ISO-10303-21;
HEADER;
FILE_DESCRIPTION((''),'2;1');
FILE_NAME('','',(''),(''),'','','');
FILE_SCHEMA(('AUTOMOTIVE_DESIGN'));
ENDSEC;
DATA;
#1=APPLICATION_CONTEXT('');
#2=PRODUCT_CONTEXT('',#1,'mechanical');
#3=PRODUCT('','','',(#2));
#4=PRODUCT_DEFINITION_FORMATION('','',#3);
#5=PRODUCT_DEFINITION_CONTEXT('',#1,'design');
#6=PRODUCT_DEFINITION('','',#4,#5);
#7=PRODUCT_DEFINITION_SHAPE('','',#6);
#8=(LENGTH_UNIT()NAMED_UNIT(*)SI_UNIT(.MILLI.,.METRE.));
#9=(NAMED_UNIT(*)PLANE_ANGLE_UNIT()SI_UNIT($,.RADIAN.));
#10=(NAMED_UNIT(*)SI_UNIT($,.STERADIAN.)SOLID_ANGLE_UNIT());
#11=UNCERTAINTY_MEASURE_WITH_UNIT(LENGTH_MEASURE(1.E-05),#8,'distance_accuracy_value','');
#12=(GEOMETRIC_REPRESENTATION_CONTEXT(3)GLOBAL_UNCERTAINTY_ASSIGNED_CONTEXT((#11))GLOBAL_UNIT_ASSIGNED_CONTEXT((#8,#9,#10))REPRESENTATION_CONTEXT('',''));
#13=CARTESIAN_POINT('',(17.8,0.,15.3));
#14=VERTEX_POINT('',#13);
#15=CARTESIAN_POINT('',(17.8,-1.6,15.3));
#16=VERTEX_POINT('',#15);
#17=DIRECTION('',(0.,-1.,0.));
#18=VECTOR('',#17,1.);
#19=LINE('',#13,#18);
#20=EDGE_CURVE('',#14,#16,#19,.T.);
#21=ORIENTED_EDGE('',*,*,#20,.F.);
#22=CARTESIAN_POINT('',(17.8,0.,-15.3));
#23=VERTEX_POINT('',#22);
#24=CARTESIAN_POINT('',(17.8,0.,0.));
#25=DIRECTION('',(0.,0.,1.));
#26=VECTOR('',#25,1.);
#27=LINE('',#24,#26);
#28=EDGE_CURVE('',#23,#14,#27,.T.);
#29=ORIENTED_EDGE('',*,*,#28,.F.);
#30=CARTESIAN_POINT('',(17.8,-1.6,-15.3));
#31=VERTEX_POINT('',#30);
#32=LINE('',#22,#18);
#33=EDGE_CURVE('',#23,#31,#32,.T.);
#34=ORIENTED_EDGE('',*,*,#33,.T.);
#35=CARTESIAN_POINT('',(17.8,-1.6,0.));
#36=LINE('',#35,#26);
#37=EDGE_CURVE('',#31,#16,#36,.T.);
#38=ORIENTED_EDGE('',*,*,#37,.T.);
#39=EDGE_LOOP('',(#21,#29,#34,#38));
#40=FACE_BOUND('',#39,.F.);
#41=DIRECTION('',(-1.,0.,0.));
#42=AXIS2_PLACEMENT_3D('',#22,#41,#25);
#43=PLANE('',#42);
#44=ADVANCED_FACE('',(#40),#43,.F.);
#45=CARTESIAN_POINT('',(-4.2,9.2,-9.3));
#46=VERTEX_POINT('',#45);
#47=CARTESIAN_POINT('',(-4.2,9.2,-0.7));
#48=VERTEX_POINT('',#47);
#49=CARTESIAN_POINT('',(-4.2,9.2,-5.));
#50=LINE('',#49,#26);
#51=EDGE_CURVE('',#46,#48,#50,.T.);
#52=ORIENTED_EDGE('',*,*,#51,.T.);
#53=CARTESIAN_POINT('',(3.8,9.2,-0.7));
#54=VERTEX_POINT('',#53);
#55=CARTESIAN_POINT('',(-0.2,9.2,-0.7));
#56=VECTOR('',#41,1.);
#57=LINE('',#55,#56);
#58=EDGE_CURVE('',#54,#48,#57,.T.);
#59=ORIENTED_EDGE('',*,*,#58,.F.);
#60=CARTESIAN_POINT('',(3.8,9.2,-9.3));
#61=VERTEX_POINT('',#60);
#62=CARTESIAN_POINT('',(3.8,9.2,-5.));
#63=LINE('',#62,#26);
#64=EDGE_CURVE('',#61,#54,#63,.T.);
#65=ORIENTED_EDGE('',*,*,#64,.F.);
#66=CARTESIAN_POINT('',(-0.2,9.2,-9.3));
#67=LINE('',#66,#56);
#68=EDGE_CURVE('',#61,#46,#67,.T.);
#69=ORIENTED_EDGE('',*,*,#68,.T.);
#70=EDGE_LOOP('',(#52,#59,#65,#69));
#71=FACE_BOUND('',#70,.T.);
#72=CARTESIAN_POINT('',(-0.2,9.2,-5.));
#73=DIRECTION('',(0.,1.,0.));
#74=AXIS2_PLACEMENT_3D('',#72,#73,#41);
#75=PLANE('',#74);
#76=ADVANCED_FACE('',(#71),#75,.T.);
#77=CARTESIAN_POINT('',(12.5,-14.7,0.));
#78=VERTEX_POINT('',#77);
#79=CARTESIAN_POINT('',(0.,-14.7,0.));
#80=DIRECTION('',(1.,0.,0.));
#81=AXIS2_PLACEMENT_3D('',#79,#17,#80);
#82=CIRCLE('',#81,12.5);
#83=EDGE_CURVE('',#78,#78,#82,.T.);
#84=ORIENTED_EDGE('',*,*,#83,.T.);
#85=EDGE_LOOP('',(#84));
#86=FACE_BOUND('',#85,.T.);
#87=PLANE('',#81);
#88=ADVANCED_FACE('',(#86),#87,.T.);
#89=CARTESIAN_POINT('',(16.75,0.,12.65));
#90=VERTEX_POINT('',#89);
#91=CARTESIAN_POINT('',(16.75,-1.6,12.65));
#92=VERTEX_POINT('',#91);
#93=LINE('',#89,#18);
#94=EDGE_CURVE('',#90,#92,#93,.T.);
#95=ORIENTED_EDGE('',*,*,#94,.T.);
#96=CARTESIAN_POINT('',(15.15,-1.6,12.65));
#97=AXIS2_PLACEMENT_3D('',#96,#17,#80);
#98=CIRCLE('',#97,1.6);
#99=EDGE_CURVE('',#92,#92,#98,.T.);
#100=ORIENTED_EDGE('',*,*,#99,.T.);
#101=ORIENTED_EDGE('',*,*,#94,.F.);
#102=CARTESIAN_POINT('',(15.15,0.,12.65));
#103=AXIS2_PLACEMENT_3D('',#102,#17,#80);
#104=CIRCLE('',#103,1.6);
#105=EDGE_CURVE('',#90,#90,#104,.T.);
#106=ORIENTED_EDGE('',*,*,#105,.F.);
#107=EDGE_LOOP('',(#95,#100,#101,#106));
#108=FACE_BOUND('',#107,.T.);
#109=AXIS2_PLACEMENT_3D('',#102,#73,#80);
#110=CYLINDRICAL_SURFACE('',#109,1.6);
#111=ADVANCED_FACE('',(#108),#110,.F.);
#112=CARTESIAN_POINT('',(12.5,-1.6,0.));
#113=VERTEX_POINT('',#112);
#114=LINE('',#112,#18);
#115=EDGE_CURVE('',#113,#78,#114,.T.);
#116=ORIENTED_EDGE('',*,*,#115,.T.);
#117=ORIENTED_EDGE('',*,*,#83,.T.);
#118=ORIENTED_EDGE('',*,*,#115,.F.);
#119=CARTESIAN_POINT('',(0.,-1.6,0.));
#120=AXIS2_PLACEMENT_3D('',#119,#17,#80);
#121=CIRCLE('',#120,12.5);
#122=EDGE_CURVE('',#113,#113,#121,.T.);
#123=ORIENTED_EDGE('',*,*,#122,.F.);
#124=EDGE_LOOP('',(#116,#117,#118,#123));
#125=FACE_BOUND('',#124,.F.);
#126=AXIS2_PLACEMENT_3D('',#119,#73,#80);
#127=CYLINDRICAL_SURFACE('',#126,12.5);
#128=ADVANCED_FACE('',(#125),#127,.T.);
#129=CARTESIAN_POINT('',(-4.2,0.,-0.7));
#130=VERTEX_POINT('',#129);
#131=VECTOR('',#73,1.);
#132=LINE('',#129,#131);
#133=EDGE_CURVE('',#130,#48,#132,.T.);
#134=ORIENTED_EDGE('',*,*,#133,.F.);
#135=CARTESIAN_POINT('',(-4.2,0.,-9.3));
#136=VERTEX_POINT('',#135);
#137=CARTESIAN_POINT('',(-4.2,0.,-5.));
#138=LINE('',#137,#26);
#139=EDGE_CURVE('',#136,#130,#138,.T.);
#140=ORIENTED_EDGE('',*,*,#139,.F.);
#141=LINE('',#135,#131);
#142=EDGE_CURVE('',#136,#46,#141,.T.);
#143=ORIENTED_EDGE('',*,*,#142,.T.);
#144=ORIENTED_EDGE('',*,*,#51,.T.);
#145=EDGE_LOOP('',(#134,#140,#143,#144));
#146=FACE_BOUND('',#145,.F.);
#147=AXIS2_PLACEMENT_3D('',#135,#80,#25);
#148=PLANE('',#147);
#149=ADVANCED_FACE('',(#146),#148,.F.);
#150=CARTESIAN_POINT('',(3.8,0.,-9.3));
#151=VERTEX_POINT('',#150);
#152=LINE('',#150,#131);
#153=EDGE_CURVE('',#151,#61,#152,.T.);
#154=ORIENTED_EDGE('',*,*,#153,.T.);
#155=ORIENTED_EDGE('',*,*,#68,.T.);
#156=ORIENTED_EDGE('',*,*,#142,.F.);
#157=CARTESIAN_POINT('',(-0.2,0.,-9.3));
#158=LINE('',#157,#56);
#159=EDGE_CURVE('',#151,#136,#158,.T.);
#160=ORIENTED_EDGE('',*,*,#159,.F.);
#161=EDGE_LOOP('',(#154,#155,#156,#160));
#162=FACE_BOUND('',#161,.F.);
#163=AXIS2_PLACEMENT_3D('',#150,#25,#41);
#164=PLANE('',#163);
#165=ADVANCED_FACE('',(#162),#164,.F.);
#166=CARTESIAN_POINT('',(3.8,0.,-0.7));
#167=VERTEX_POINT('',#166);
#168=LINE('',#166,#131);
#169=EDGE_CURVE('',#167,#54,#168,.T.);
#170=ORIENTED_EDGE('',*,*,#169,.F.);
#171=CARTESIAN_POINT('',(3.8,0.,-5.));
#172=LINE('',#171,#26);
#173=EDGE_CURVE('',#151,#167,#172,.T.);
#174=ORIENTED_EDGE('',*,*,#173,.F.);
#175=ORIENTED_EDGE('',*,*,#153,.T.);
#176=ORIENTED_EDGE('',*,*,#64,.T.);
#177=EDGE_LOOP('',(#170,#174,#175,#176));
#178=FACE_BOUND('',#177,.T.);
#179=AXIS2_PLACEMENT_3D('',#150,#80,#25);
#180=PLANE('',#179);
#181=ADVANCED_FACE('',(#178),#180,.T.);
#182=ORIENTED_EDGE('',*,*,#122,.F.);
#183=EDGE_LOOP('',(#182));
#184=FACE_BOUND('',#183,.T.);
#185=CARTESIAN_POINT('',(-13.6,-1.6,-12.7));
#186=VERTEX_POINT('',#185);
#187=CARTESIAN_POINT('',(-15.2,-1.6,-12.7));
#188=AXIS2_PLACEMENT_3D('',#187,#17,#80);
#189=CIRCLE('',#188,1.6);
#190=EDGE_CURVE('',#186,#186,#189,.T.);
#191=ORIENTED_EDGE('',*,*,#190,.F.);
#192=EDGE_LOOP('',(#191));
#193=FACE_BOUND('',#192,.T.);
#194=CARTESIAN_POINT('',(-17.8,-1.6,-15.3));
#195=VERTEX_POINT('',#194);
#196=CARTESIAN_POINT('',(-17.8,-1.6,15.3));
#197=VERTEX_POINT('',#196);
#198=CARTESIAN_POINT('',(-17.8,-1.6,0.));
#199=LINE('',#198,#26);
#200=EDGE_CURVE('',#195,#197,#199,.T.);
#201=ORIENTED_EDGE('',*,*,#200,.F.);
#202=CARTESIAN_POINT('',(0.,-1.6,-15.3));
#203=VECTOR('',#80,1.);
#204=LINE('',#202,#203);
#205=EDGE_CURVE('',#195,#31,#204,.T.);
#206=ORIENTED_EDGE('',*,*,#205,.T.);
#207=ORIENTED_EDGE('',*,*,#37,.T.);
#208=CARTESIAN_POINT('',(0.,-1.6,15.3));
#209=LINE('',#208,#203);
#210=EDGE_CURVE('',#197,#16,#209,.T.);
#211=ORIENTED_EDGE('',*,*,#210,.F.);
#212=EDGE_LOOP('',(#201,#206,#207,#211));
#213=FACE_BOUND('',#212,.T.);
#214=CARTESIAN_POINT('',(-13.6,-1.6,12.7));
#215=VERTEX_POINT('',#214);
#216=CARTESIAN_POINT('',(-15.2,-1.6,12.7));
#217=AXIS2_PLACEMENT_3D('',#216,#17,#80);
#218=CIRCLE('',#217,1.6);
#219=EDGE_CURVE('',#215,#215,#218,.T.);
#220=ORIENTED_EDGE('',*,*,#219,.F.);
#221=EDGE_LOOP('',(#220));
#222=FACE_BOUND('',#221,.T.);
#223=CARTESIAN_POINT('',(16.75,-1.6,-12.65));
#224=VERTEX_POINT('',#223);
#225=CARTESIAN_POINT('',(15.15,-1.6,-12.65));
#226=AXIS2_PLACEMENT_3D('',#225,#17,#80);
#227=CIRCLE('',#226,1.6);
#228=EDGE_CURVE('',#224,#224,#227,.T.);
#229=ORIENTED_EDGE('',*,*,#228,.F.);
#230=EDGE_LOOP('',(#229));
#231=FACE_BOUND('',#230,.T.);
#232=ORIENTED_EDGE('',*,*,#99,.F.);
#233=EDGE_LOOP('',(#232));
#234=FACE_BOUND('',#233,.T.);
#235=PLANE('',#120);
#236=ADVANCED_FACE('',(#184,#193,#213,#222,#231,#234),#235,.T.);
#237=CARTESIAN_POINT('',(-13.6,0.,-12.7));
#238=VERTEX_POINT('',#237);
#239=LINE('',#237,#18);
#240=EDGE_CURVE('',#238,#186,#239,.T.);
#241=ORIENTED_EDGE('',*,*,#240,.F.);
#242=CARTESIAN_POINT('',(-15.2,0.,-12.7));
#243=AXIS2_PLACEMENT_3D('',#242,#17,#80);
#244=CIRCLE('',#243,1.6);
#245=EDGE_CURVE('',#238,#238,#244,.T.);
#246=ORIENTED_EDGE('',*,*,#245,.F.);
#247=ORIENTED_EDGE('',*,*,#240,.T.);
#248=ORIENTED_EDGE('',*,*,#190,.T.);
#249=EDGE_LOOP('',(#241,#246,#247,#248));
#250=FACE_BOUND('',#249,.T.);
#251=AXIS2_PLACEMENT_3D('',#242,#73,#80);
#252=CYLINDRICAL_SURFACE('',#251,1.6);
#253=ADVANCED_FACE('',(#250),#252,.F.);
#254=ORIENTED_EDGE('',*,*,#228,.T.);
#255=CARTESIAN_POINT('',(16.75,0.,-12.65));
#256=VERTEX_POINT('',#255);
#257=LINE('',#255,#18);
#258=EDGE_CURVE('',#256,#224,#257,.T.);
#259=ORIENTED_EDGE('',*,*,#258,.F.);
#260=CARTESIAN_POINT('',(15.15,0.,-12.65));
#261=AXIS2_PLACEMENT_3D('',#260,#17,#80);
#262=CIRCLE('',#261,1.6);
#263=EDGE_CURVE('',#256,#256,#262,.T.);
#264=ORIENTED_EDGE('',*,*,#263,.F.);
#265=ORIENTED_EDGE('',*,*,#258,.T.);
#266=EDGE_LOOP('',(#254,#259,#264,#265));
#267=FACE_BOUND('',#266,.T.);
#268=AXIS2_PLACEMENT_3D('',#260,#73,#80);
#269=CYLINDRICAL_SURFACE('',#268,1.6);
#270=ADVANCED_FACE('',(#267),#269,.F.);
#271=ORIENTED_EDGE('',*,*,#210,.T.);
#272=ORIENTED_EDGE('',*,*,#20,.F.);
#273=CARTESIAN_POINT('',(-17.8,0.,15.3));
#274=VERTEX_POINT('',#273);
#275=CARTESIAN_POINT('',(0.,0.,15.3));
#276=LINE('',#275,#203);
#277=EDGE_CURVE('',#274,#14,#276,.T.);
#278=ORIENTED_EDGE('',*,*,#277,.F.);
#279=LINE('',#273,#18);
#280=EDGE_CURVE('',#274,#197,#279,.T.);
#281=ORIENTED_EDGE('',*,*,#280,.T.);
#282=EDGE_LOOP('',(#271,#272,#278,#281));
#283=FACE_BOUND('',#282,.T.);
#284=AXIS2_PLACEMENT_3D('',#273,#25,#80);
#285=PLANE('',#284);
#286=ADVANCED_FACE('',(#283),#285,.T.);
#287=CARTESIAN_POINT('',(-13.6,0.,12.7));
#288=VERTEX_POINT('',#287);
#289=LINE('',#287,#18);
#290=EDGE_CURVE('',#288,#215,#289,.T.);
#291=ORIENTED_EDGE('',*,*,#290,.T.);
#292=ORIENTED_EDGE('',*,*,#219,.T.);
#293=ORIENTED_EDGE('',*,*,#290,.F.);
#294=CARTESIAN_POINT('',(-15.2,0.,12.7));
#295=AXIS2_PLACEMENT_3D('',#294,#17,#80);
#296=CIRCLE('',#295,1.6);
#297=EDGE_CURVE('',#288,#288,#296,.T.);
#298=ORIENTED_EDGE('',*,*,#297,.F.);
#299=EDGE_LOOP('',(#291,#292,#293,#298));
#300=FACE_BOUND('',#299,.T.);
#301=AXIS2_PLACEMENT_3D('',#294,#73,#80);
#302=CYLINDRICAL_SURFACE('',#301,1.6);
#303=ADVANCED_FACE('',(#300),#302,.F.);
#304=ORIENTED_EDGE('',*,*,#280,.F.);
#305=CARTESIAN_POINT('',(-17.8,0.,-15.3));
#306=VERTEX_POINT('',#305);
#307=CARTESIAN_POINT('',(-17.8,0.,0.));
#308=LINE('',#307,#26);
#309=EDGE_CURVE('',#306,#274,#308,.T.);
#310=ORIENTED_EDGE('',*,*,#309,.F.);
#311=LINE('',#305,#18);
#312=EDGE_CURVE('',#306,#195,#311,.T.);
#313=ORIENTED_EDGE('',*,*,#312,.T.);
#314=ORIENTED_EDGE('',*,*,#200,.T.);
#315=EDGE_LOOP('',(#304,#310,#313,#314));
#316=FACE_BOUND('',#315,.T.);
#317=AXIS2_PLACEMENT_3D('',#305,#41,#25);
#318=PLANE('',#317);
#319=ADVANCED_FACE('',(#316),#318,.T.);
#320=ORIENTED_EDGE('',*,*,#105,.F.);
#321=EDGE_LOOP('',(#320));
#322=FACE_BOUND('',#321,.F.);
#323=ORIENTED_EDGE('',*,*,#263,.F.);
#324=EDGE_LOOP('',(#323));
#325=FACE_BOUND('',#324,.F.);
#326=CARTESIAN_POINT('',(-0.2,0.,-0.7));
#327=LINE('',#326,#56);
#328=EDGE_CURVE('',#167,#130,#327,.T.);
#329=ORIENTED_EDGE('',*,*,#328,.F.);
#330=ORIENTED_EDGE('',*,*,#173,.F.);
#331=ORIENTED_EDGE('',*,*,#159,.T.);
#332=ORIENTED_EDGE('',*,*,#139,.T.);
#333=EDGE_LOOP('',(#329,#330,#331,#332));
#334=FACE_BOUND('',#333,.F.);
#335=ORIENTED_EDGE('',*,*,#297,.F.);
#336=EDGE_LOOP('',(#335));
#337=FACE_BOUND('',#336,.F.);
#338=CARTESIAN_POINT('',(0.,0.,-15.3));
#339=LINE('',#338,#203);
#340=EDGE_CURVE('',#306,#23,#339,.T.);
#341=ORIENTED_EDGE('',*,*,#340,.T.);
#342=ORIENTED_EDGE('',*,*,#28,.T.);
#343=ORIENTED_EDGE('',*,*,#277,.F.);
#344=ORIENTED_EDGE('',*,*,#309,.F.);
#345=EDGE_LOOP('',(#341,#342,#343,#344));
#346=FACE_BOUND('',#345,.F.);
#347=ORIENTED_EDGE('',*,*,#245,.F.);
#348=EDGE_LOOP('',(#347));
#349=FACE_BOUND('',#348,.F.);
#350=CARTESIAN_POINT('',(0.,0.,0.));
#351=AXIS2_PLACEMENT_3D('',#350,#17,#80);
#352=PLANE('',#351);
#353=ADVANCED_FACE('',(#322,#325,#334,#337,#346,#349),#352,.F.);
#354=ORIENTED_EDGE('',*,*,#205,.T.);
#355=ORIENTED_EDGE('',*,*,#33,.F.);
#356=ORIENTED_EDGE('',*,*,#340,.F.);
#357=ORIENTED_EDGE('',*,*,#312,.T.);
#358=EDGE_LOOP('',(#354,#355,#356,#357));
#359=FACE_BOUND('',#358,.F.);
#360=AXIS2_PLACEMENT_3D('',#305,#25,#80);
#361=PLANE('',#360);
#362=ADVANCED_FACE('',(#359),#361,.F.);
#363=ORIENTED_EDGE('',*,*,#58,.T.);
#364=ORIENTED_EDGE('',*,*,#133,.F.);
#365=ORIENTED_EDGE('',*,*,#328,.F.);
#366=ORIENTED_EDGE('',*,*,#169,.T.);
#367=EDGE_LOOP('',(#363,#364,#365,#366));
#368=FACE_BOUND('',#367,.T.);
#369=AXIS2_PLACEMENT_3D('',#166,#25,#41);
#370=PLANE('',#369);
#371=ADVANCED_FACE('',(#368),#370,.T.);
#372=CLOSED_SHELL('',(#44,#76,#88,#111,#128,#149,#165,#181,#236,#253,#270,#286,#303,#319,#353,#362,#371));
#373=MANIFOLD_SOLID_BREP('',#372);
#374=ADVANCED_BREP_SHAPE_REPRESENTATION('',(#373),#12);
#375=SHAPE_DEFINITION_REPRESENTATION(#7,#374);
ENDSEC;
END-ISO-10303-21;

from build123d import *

# Parameters (mm, degrees)
F0_W     = 35.6
F0_H     = 30.6
F0_R     = 1.6
F1_DEPTH = 1.6
F2_R     = 12.5
F3_DEPTH = 13.1
F4_W     = 8
F4_H     = 8.6
F5_DEPTH = 9.2


with BuildPart() as f1:
    # F0 (on Front) → F1 (new body)
    with BuildSketch(Plane.XZ):
        Rectangle(F0_W, F0_H)
        with Locations((-15.2, -12.7)):
            Circle(F0_R, mode=Mode.SUBTRACT)
        with Locations((15.15, -12.65)):
            Circle(F0_R, mode=Mode.SUBTRACT)
        with Locations((-15.2, 12.7)):
            Circle(F0_R, mode=Mode.SUBTRACT)
        with Locations((15.15, 12.65)):
            Circle(F0_R, mode=Mode.SUBTRACT)
    extrude(amount=F1_DEPTH)

    # F2 (on face) → F3 (join)
    with BuildSketch(Plane.XZ.offset(1.6)):
        Circle(F2_R)
    extrude(amount=F3_DEPTH)

    # F4 (on face) → F5 (join)
    with BuildSketch(Plane(origin=(0, 0, 0), x_dir=(-1, 0, 0), z_dir=(0, 1, 0))):
        with Locations((0.2, -5)):
            Rectangle(F4_W, F4_H)
    extrude(amount=F5_DEPTH)


solid = f1.part
